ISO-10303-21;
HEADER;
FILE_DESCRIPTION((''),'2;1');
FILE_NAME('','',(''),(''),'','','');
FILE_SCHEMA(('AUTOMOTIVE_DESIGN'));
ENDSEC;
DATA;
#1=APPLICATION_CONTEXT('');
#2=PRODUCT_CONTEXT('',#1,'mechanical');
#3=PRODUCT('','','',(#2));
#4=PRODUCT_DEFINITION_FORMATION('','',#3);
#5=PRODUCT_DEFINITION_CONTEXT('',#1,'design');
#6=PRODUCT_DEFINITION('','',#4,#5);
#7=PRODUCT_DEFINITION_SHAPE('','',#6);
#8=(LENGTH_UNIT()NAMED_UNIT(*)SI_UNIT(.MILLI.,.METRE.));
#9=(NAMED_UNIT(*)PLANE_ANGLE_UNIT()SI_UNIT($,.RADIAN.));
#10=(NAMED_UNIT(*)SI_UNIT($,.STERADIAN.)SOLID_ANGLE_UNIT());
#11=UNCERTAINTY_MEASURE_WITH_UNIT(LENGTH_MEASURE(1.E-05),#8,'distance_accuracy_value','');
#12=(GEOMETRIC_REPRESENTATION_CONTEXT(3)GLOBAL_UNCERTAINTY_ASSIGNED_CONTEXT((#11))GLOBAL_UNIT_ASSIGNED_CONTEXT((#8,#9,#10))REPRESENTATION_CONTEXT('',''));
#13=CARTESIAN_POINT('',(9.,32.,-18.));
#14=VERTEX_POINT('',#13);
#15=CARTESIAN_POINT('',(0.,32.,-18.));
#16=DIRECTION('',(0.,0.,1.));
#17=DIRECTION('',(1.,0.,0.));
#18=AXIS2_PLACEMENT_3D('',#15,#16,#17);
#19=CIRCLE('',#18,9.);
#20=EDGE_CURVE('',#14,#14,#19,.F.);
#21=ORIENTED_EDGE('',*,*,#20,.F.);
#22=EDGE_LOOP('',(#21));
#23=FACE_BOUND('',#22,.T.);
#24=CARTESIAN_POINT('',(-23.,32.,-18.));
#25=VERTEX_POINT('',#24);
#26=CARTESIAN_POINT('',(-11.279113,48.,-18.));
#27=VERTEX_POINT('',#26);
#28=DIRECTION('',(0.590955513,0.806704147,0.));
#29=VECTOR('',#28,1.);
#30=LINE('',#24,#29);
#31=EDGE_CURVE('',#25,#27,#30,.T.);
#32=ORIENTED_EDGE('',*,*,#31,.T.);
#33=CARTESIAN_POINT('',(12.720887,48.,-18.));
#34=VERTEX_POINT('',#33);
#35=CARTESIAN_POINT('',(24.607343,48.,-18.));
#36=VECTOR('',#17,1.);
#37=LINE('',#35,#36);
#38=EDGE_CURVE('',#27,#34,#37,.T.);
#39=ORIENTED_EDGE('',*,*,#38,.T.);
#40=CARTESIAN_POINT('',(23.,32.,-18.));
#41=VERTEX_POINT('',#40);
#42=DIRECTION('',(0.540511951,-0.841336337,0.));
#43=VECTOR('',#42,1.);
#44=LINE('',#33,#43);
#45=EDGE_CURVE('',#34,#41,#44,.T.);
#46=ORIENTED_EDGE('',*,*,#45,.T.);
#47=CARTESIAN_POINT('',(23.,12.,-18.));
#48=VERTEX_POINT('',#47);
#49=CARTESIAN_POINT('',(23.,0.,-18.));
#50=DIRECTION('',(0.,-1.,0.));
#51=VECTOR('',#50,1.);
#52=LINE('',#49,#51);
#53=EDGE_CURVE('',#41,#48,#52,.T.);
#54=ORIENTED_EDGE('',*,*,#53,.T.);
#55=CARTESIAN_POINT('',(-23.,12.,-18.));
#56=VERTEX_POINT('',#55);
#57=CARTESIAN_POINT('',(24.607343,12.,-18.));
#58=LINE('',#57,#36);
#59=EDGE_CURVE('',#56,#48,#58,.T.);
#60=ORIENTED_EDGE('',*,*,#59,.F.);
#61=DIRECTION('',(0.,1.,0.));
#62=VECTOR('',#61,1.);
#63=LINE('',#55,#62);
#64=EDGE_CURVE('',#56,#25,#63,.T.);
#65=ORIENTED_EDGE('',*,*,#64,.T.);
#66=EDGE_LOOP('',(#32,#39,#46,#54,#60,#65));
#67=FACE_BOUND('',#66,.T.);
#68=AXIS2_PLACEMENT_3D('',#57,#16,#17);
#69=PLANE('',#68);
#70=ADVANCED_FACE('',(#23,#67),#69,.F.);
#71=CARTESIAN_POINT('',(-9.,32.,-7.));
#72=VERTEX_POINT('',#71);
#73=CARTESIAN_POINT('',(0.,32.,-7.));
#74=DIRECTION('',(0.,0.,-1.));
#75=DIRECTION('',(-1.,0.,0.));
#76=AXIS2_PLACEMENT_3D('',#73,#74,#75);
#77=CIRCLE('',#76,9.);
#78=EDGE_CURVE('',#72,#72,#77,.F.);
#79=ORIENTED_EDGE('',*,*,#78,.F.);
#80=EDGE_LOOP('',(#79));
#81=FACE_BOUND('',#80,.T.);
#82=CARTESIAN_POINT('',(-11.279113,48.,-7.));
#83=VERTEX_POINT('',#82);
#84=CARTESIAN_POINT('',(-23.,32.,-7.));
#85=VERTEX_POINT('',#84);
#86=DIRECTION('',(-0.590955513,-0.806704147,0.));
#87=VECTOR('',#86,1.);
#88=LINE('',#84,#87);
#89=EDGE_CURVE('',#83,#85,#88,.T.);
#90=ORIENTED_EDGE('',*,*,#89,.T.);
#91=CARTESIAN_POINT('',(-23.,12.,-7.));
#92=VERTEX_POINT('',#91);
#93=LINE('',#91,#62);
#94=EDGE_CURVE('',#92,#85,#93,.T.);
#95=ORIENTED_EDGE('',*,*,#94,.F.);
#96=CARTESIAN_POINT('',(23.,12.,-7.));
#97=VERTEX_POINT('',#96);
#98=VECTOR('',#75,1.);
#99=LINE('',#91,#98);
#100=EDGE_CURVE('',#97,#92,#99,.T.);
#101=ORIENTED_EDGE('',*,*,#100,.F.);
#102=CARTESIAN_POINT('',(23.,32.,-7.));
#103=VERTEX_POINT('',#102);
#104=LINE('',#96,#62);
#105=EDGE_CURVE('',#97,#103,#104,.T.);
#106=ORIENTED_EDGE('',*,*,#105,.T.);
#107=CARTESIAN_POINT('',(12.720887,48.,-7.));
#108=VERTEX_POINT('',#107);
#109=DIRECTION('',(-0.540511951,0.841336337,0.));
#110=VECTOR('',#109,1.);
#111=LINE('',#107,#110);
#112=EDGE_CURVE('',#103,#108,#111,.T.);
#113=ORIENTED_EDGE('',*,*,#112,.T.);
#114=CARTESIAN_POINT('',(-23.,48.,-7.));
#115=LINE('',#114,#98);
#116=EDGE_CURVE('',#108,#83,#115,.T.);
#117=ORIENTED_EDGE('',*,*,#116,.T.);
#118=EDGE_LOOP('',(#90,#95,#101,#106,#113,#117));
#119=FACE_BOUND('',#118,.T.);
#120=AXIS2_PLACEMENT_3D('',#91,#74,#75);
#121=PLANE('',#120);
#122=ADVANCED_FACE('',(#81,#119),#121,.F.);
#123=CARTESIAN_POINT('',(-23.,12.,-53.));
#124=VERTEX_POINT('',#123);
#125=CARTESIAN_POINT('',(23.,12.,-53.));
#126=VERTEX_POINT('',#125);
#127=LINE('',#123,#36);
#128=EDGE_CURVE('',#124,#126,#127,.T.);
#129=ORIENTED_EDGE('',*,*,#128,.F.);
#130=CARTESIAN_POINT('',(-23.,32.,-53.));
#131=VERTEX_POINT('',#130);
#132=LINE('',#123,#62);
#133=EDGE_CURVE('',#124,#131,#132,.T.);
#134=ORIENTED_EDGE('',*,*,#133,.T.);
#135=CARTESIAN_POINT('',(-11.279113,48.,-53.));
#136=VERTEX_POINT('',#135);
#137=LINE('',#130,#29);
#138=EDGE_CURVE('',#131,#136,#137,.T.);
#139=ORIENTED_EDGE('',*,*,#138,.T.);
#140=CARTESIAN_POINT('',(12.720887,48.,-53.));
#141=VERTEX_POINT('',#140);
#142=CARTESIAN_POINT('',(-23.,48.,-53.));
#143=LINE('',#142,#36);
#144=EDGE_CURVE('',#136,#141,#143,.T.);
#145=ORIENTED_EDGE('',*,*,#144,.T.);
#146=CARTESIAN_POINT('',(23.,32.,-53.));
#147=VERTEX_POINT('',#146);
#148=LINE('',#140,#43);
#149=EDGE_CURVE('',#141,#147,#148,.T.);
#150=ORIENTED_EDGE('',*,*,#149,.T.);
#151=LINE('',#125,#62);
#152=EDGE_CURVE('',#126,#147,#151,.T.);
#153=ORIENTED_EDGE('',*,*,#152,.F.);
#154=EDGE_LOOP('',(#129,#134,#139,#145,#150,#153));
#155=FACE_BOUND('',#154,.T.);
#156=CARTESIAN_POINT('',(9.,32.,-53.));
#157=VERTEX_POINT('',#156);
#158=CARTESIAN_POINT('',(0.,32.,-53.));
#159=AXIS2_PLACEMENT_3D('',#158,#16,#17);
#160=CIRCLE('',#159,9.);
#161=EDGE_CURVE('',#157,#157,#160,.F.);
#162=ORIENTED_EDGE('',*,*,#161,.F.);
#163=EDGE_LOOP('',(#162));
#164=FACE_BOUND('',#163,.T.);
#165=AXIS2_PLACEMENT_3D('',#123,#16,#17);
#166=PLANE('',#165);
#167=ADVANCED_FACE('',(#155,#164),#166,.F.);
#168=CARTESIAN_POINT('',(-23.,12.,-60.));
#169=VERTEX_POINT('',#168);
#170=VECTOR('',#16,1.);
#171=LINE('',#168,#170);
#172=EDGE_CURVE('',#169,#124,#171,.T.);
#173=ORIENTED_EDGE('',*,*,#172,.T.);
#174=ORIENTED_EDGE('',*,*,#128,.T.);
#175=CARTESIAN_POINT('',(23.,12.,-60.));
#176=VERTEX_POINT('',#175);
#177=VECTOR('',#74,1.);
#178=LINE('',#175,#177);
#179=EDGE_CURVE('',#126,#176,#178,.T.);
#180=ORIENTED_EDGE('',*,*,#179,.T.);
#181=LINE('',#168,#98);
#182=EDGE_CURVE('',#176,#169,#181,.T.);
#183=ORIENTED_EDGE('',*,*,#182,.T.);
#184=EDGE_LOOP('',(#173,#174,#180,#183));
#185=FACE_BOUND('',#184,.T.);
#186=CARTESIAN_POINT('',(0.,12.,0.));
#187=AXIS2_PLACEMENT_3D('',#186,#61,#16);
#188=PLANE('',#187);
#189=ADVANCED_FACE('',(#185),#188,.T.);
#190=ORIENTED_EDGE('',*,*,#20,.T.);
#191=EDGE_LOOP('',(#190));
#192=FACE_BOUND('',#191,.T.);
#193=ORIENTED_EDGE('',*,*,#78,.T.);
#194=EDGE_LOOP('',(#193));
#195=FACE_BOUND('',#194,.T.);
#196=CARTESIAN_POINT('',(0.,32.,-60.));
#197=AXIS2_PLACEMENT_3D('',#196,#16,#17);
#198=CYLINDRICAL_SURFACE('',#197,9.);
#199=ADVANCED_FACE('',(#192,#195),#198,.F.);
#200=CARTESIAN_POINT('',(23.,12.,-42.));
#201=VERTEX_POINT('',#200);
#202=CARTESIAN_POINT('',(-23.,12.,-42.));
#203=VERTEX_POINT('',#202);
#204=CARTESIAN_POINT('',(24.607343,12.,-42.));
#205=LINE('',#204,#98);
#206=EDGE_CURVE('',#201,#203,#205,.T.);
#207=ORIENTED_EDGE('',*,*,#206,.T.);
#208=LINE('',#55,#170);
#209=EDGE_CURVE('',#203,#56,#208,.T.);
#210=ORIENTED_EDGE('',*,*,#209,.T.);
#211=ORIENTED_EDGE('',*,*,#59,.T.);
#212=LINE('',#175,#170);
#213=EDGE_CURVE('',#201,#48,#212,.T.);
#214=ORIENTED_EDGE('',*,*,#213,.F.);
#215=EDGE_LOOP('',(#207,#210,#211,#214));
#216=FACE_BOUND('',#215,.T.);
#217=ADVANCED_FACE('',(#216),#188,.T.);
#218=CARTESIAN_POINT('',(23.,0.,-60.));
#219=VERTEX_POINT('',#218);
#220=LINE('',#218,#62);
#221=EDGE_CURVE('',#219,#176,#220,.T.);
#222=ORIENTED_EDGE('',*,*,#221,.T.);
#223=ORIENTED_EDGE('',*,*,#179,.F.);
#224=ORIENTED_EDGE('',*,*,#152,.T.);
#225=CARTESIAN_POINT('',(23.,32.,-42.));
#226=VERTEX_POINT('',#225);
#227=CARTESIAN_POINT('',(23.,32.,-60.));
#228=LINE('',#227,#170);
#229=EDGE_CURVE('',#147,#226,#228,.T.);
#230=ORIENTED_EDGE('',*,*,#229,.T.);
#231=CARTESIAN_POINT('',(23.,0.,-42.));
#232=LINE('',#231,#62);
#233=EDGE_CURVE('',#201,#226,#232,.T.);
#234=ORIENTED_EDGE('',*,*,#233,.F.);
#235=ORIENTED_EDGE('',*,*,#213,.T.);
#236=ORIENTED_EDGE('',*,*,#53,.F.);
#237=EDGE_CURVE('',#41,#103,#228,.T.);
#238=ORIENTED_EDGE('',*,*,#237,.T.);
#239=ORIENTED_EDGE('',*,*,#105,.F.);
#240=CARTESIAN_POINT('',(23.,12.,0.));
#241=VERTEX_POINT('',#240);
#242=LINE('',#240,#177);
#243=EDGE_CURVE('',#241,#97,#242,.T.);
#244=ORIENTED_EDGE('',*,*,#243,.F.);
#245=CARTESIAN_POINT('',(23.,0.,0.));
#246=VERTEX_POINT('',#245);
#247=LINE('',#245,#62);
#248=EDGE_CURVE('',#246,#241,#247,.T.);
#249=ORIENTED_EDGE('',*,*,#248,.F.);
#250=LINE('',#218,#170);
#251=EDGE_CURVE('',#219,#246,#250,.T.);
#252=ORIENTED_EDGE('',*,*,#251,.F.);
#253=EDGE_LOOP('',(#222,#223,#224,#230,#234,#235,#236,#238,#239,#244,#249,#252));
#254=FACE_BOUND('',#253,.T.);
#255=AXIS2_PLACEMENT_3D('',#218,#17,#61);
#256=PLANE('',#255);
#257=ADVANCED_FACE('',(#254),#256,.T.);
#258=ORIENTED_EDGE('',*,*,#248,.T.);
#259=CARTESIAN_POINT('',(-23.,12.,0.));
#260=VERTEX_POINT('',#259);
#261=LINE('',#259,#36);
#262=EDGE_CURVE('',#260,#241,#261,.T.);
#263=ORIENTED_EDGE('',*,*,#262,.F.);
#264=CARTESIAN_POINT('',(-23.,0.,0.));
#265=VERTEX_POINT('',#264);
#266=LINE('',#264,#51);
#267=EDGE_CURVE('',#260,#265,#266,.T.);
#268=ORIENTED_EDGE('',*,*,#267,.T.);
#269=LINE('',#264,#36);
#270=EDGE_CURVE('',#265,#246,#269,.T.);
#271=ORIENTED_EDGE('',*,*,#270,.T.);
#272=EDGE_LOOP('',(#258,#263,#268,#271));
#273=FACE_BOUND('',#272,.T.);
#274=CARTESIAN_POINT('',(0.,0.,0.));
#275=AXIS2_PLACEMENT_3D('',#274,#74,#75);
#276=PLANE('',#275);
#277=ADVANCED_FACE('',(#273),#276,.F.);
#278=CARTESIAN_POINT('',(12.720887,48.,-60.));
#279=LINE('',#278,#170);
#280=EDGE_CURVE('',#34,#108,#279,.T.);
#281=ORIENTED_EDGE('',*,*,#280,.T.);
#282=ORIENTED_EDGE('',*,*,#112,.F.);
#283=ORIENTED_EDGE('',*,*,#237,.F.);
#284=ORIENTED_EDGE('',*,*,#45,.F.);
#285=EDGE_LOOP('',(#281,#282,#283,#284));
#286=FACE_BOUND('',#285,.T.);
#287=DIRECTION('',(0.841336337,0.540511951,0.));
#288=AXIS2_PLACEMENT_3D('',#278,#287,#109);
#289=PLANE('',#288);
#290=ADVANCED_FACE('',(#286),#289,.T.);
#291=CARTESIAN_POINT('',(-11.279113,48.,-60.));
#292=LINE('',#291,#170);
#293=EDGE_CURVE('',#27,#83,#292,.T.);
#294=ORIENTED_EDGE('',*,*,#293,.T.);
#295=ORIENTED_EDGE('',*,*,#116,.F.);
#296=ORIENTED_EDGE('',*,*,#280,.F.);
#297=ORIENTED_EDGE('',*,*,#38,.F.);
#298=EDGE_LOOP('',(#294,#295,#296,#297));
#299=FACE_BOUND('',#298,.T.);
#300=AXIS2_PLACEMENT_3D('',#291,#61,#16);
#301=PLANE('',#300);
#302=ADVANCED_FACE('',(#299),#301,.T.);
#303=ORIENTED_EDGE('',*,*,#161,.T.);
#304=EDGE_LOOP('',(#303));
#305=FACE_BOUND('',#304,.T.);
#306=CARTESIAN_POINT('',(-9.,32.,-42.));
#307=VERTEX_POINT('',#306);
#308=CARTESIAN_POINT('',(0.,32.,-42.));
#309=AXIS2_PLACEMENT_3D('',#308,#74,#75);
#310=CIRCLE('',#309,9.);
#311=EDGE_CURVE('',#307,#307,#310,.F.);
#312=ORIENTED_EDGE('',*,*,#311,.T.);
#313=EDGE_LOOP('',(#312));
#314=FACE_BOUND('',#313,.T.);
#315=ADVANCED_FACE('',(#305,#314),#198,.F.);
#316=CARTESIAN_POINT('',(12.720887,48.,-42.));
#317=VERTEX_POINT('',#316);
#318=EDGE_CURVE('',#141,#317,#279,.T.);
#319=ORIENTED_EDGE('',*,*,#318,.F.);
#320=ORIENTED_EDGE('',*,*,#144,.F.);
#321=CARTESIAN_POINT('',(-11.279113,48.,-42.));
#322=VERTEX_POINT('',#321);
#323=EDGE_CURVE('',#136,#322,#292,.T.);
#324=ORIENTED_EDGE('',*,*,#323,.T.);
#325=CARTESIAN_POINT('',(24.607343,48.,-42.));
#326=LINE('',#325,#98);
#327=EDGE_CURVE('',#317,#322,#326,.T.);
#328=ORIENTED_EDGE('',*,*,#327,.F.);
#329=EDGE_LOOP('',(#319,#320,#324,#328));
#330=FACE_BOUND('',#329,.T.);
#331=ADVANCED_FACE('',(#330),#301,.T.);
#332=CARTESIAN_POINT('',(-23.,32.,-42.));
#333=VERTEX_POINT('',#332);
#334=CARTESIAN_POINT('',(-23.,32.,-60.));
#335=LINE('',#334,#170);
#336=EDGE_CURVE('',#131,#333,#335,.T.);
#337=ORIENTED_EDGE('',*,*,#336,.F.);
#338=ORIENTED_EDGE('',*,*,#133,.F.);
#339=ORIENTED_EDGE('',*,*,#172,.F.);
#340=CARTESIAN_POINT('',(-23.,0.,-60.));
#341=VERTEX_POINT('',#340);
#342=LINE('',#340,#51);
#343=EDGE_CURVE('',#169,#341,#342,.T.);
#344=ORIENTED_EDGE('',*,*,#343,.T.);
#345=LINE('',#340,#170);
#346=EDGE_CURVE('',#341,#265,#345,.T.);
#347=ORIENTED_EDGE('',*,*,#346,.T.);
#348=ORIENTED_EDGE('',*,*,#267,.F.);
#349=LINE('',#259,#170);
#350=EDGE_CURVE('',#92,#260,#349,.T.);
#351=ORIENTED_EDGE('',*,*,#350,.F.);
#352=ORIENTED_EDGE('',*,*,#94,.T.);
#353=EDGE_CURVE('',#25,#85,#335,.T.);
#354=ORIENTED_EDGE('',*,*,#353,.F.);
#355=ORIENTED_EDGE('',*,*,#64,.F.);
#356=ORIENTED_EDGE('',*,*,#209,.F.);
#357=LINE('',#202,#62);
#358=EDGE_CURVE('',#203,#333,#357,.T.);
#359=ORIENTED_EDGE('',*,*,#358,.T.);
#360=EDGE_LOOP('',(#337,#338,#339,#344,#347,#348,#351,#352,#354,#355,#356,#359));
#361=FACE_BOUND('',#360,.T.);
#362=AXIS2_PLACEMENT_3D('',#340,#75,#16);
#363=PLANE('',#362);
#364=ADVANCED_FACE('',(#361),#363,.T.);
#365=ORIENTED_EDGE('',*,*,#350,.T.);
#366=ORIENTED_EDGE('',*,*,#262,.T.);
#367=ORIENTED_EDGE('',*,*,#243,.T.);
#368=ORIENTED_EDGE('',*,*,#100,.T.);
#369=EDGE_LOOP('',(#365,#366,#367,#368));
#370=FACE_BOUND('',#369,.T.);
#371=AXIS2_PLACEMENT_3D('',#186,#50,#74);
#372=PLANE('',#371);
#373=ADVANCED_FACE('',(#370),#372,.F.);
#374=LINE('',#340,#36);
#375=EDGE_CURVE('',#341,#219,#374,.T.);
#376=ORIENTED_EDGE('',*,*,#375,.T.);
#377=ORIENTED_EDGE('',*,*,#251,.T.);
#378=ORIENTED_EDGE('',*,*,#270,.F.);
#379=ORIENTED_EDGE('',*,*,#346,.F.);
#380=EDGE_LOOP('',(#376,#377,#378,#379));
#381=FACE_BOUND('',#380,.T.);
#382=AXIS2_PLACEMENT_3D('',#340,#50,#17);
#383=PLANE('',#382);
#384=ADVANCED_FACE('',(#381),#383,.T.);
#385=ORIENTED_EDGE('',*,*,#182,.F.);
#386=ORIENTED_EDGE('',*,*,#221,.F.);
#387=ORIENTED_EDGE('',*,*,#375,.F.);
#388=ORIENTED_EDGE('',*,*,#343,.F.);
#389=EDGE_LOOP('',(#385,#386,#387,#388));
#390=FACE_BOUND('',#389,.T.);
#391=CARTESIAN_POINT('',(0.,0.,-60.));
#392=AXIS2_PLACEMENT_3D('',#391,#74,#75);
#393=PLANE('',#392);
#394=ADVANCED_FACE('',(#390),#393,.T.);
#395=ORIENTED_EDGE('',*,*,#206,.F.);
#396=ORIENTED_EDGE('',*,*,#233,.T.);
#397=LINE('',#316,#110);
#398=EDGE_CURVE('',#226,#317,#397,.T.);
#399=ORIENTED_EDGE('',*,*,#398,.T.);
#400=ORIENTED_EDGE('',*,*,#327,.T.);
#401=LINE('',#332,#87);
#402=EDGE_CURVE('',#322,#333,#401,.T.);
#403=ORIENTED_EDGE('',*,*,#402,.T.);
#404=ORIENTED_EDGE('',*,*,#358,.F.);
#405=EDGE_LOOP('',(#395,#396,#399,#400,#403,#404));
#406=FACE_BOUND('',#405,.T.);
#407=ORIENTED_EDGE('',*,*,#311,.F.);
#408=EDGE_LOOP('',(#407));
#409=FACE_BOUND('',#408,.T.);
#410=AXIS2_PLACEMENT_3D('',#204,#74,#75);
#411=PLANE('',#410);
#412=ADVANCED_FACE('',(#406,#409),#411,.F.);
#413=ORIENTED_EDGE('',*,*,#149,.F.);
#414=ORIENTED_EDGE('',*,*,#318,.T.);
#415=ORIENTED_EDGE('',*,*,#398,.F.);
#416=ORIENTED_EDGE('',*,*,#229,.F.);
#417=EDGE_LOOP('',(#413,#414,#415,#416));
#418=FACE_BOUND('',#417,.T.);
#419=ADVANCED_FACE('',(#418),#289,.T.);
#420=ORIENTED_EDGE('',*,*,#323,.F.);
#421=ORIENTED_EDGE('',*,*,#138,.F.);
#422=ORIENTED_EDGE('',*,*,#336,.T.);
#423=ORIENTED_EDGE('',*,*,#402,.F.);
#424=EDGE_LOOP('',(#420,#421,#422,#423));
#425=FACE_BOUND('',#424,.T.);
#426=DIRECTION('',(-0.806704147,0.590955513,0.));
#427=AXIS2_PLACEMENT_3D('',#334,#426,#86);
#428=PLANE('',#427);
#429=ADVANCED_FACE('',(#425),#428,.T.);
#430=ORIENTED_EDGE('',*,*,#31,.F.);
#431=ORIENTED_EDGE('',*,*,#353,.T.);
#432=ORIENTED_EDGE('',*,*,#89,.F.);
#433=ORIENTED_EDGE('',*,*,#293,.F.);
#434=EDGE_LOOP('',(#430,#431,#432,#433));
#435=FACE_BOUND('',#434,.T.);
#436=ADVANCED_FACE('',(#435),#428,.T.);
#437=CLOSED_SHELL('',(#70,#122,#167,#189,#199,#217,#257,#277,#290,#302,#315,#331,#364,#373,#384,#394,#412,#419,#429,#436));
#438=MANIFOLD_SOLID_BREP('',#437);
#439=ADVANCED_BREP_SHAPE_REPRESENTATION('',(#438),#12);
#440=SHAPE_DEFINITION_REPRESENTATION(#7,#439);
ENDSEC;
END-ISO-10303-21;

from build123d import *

# Parameters (mm, degrees)
CROQUIS1_R              = 9
SALIENTE_EXTRUIR1_DEPTH = 60
CROQUIS3_W              = 46
CROQUIS3_H              = 7
CORTAR_EXTRUIR1_DEPTH   = 36
CROQUIS4_W              = 47.607342582
CROQUIS4_H              = 24
CORTAR_EXTRUIR5_DEPTH   = 36


with BuildPart() as part:
    # Croquis1 → Saliente-Extruir1 (new body)
    with BuildSketch(Plane.XY):
        Polygon((-23, 0), (23, 0), (23, 32), (12.720887074, 48), (-11.279112926, 48), (-23, 32), align=None)
        with Locations((0, 32)):
            Circle(CROQUIS1_R, mode=Mode.SUBTRACT)
    extrude(amount=-SALIENTE_EXTRUIR1_DEPTH)

    # Croquis3 → Cortar-Extruir1 (cut)
    with BuildSketch(Plane(origin=(0, 48, 0), x_dir=(1, 0, 0), z_dir=(0, 1, 0))):
        with Locations((0, 3.5)):
            Rectangle(CROQUIS3_W, CROQUIS3_H)
        with Locations((0, 56.5)):
            Rectangle(CROQUIS3_W, CROQUIS3_H)
    extrude(amount=-CORTAR_EXTRUIR1_DEPTH, mode=Mode.SUBTRACT)

    # Croquis4 → Cortar-Extruir5 (cut)
    with BuildSketch(Plane(origin=(0, 48, 0), x_dir=(1, 0, 0), z_dir=(0, 1, 0))):
        with Locations((0.803671291, 30)):
            Rectangle(CROQUIS4_W, CROQUIS4_H)
    extrude(amount=-CORTAR_EXTRUIR5_DEPTH, mode=Mode.SUBTRACT)


solid = part.part
